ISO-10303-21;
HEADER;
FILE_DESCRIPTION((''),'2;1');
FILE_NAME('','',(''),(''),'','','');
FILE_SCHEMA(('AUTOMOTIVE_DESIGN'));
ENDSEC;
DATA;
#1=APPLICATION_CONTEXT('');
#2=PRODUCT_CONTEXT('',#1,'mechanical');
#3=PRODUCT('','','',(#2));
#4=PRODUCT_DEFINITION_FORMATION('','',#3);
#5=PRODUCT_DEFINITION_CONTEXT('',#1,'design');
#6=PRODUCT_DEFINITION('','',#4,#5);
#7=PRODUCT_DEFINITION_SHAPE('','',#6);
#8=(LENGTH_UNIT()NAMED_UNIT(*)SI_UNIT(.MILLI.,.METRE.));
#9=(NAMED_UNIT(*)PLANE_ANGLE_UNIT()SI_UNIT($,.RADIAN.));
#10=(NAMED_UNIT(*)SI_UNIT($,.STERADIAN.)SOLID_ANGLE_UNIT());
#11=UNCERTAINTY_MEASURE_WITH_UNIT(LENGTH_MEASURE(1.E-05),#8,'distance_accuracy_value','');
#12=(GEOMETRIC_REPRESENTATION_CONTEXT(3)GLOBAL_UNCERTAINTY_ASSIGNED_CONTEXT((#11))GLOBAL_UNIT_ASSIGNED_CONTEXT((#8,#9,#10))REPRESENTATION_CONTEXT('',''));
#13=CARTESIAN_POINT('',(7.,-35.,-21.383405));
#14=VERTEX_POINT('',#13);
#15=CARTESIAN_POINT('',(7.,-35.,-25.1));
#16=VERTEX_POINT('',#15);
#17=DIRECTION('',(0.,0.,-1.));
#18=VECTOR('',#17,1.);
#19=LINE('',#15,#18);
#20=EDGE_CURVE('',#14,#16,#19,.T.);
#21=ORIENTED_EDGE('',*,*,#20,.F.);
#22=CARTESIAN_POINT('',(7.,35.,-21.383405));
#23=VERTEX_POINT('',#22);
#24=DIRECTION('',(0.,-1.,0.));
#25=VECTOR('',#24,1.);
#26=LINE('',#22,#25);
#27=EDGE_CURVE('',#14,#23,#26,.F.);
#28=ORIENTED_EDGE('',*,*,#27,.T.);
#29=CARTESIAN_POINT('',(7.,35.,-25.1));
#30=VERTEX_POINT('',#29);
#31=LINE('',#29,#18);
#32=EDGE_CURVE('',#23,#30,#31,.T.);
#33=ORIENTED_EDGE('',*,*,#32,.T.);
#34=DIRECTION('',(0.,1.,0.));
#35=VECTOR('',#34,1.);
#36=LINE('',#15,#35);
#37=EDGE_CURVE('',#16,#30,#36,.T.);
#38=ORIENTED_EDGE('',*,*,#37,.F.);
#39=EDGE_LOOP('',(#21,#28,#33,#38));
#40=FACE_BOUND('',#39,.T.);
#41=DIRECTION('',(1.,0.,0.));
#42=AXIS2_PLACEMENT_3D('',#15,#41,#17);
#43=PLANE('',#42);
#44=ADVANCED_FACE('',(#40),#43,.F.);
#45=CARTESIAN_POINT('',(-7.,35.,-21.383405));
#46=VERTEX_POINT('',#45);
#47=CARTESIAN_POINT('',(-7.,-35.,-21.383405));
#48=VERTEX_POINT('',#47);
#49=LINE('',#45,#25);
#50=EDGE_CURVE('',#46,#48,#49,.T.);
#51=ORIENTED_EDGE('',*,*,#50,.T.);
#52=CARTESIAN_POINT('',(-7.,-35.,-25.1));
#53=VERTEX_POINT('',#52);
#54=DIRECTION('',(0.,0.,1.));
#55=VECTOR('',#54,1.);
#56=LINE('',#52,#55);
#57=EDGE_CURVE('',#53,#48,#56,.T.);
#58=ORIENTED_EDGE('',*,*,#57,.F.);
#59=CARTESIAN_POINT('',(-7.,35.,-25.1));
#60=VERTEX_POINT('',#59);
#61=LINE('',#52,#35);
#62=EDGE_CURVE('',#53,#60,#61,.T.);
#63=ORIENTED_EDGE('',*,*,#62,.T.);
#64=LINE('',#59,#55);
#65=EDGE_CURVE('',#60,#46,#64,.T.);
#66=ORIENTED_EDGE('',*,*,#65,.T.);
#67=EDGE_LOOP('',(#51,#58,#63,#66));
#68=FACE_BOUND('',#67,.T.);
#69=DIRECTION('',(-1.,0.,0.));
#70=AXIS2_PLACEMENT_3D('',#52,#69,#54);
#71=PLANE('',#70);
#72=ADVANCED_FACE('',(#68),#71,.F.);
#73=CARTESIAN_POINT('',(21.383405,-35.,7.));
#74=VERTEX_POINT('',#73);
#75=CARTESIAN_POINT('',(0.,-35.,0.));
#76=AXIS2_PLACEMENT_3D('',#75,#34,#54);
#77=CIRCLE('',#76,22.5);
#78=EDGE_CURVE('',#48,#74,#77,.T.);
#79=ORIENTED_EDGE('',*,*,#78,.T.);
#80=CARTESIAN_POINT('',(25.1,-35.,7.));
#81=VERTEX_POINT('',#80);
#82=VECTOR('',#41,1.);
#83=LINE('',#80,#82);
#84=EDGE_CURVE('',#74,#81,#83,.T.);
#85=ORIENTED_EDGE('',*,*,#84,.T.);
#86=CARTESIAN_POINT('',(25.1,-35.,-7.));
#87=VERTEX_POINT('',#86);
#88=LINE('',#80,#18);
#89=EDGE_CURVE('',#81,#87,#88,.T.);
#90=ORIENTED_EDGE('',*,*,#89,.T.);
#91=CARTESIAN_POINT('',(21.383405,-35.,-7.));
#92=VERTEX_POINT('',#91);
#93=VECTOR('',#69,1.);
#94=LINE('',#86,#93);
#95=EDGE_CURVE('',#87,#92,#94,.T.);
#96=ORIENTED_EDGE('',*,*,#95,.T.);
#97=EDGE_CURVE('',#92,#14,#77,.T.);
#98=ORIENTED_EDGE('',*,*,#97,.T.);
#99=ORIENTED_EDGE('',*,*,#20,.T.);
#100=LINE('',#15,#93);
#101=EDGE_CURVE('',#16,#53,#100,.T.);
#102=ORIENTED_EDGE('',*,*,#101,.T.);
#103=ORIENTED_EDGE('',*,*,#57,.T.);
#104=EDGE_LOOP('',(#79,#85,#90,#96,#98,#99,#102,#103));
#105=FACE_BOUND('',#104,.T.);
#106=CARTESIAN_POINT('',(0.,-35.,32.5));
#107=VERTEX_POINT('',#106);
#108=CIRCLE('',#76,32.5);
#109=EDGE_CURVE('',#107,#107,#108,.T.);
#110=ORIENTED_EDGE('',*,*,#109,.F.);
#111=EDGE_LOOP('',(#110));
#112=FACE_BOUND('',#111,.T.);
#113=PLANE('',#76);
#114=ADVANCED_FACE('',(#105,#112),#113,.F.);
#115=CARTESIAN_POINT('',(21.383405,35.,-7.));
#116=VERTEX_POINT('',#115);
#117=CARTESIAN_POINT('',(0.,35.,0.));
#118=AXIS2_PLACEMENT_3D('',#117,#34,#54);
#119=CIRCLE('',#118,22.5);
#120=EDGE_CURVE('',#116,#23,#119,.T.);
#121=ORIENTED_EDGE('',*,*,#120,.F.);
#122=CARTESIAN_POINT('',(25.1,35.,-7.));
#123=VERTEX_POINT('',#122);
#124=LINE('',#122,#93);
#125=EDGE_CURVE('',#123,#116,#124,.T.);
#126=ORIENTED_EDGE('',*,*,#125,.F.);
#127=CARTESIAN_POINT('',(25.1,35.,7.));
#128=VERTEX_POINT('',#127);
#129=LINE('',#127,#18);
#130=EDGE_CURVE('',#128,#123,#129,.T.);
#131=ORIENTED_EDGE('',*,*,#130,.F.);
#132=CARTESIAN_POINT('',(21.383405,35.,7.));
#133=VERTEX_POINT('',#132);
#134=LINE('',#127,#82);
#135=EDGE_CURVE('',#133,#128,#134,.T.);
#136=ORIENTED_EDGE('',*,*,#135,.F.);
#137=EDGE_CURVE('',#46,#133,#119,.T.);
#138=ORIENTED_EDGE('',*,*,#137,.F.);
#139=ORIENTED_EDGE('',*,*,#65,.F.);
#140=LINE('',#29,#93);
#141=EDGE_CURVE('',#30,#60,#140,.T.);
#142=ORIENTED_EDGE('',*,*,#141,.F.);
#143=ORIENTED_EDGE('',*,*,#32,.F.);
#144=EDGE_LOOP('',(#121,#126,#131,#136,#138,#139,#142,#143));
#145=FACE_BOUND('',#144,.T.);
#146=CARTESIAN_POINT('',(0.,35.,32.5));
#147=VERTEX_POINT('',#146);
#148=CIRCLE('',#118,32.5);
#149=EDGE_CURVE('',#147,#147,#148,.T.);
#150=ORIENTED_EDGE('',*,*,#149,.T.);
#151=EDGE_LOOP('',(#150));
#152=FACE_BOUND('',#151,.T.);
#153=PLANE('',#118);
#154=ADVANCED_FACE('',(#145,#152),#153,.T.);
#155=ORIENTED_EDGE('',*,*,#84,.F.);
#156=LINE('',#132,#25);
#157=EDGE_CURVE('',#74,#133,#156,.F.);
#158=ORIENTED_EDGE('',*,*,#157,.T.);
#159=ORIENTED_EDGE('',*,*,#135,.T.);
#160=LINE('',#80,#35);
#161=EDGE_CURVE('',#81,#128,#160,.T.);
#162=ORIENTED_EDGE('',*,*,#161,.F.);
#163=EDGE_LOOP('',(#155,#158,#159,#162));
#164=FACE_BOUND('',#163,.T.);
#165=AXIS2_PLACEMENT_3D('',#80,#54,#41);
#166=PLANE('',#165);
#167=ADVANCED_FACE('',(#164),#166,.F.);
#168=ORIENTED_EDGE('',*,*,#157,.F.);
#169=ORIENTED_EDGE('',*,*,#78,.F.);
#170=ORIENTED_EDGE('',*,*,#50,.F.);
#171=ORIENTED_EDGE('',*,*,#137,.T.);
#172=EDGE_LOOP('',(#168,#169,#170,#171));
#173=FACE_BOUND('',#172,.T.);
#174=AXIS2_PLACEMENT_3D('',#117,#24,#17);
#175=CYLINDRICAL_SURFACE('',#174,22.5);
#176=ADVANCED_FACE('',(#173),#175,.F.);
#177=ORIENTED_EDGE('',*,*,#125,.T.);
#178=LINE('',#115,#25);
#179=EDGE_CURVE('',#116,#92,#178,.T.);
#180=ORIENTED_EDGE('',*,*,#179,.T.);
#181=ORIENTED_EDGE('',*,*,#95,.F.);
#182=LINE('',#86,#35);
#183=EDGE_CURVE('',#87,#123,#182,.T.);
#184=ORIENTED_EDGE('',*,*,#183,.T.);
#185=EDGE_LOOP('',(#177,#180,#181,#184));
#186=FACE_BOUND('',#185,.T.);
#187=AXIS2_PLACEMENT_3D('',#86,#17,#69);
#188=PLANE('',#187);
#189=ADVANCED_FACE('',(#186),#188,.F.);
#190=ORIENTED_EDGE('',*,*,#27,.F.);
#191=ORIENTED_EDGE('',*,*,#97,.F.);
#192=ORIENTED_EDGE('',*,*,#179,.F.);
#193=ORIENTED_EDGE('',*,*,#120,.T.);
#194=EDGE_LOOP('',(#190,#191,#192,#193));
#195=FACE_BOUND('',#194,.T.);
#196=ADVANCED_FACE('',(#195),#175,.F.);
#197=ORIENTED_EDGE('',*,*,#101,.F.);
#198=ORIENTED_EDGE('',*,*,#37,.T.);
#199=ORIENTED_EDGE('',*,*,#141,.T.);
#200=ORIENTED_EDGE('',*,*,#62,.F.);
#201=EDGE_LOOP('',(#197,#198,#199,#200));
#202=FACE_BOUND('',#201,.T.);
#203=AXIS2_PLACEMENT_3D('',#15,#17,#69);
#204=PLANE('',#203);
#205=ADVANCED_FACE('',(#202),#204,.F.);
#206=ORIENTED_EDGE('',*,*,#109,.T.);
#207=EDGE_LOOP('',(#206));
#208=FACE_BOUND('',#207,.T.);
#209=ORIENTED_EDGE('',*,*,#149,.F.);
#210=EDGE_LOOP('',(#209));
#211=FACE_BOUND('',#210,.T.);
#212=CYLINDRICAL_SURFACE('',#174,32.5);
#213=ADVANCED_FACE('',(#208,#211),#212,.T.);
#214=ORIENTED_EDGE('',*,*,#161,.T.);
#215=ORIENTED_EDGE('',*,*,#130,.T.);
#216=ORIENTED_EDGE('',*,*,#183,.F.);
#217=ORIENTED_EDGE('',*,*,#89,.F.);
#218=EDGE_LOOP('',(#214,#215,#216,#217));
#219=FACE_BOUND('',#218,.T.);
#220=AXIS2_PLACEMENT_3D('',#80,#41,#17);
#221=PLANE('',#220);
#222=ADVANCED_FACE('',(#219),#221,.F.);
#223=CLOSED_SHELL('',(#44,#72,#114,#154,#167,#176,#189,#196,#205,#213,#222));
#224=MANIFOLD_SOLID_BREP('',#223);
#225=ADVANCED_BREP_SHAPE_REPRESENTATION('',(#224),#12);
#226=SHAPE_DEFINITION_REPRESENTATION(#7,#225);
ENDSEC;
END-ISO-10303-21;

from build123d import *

# Parameters (mm, degrees)
SKETCH1_R           = 32.5
SKETCH1_R_2         = 22.5
BOSS_EXTRUDE1_DEPTH = 35
SKETCH2_W           = 7
SKETCH2_H           = 14
CUT_EXTRUDE1_DEPTH  = 84.740671122
CIRPATTERN1_COUNT   = 2
CIRPATTERN1_ANGLE   = 90


with BuildPart() as part:
    # Sketch1 → Boss-Extrude1 (new, symmetric)
    with BuildSketch(Plane(origin=(0, 0, 0), x_dir=(1, 0, 0), z_dir=(0, 1, 0))):
        with Locations(Location((0, 0, 0), (0, 0, 270))):
            Circle(SKETCH1_R)
        with Locations(Location((0, 0, 0), (0, 0, 270))):
            Circle(SKETCH1_R_2, mode=Mode.SUBTRACT)
    extrude(amount=BOSS_EXTRUDE1_DEPTH, both=True)

    # Sketch2 → Cut-Extrude1 (cut, through all)
    with BuildSketch(Plane(origin=(0, 35, 0), x_dir=(1, 0, 0), z_dir=(0, 1, 0))):
        with Locations((21.6, 0)):
            Rectangle(SKETCH2_W, SKETCH2_H)
    cut_extrude1 = extrude(amount=-CUT_EXTRUDE1_DEPTH, mode=Mode.SUBTRACT)

    # CirPattern1: Cut-Extrude1 ×2 about axis
    cirpattern1_axis = Axis((0, 0, 0), (0, 1, 0))
    for i in range(1, CIRPATTERN1_COUNT):
        add(cut_extrude1.rotate(cirpattern1_axis, i * CIRPATTERN1_ANGLE / (CIRPATTERN1_COUNT - 1)), mode=Mode.SUBTRACT)


solid = part.part
